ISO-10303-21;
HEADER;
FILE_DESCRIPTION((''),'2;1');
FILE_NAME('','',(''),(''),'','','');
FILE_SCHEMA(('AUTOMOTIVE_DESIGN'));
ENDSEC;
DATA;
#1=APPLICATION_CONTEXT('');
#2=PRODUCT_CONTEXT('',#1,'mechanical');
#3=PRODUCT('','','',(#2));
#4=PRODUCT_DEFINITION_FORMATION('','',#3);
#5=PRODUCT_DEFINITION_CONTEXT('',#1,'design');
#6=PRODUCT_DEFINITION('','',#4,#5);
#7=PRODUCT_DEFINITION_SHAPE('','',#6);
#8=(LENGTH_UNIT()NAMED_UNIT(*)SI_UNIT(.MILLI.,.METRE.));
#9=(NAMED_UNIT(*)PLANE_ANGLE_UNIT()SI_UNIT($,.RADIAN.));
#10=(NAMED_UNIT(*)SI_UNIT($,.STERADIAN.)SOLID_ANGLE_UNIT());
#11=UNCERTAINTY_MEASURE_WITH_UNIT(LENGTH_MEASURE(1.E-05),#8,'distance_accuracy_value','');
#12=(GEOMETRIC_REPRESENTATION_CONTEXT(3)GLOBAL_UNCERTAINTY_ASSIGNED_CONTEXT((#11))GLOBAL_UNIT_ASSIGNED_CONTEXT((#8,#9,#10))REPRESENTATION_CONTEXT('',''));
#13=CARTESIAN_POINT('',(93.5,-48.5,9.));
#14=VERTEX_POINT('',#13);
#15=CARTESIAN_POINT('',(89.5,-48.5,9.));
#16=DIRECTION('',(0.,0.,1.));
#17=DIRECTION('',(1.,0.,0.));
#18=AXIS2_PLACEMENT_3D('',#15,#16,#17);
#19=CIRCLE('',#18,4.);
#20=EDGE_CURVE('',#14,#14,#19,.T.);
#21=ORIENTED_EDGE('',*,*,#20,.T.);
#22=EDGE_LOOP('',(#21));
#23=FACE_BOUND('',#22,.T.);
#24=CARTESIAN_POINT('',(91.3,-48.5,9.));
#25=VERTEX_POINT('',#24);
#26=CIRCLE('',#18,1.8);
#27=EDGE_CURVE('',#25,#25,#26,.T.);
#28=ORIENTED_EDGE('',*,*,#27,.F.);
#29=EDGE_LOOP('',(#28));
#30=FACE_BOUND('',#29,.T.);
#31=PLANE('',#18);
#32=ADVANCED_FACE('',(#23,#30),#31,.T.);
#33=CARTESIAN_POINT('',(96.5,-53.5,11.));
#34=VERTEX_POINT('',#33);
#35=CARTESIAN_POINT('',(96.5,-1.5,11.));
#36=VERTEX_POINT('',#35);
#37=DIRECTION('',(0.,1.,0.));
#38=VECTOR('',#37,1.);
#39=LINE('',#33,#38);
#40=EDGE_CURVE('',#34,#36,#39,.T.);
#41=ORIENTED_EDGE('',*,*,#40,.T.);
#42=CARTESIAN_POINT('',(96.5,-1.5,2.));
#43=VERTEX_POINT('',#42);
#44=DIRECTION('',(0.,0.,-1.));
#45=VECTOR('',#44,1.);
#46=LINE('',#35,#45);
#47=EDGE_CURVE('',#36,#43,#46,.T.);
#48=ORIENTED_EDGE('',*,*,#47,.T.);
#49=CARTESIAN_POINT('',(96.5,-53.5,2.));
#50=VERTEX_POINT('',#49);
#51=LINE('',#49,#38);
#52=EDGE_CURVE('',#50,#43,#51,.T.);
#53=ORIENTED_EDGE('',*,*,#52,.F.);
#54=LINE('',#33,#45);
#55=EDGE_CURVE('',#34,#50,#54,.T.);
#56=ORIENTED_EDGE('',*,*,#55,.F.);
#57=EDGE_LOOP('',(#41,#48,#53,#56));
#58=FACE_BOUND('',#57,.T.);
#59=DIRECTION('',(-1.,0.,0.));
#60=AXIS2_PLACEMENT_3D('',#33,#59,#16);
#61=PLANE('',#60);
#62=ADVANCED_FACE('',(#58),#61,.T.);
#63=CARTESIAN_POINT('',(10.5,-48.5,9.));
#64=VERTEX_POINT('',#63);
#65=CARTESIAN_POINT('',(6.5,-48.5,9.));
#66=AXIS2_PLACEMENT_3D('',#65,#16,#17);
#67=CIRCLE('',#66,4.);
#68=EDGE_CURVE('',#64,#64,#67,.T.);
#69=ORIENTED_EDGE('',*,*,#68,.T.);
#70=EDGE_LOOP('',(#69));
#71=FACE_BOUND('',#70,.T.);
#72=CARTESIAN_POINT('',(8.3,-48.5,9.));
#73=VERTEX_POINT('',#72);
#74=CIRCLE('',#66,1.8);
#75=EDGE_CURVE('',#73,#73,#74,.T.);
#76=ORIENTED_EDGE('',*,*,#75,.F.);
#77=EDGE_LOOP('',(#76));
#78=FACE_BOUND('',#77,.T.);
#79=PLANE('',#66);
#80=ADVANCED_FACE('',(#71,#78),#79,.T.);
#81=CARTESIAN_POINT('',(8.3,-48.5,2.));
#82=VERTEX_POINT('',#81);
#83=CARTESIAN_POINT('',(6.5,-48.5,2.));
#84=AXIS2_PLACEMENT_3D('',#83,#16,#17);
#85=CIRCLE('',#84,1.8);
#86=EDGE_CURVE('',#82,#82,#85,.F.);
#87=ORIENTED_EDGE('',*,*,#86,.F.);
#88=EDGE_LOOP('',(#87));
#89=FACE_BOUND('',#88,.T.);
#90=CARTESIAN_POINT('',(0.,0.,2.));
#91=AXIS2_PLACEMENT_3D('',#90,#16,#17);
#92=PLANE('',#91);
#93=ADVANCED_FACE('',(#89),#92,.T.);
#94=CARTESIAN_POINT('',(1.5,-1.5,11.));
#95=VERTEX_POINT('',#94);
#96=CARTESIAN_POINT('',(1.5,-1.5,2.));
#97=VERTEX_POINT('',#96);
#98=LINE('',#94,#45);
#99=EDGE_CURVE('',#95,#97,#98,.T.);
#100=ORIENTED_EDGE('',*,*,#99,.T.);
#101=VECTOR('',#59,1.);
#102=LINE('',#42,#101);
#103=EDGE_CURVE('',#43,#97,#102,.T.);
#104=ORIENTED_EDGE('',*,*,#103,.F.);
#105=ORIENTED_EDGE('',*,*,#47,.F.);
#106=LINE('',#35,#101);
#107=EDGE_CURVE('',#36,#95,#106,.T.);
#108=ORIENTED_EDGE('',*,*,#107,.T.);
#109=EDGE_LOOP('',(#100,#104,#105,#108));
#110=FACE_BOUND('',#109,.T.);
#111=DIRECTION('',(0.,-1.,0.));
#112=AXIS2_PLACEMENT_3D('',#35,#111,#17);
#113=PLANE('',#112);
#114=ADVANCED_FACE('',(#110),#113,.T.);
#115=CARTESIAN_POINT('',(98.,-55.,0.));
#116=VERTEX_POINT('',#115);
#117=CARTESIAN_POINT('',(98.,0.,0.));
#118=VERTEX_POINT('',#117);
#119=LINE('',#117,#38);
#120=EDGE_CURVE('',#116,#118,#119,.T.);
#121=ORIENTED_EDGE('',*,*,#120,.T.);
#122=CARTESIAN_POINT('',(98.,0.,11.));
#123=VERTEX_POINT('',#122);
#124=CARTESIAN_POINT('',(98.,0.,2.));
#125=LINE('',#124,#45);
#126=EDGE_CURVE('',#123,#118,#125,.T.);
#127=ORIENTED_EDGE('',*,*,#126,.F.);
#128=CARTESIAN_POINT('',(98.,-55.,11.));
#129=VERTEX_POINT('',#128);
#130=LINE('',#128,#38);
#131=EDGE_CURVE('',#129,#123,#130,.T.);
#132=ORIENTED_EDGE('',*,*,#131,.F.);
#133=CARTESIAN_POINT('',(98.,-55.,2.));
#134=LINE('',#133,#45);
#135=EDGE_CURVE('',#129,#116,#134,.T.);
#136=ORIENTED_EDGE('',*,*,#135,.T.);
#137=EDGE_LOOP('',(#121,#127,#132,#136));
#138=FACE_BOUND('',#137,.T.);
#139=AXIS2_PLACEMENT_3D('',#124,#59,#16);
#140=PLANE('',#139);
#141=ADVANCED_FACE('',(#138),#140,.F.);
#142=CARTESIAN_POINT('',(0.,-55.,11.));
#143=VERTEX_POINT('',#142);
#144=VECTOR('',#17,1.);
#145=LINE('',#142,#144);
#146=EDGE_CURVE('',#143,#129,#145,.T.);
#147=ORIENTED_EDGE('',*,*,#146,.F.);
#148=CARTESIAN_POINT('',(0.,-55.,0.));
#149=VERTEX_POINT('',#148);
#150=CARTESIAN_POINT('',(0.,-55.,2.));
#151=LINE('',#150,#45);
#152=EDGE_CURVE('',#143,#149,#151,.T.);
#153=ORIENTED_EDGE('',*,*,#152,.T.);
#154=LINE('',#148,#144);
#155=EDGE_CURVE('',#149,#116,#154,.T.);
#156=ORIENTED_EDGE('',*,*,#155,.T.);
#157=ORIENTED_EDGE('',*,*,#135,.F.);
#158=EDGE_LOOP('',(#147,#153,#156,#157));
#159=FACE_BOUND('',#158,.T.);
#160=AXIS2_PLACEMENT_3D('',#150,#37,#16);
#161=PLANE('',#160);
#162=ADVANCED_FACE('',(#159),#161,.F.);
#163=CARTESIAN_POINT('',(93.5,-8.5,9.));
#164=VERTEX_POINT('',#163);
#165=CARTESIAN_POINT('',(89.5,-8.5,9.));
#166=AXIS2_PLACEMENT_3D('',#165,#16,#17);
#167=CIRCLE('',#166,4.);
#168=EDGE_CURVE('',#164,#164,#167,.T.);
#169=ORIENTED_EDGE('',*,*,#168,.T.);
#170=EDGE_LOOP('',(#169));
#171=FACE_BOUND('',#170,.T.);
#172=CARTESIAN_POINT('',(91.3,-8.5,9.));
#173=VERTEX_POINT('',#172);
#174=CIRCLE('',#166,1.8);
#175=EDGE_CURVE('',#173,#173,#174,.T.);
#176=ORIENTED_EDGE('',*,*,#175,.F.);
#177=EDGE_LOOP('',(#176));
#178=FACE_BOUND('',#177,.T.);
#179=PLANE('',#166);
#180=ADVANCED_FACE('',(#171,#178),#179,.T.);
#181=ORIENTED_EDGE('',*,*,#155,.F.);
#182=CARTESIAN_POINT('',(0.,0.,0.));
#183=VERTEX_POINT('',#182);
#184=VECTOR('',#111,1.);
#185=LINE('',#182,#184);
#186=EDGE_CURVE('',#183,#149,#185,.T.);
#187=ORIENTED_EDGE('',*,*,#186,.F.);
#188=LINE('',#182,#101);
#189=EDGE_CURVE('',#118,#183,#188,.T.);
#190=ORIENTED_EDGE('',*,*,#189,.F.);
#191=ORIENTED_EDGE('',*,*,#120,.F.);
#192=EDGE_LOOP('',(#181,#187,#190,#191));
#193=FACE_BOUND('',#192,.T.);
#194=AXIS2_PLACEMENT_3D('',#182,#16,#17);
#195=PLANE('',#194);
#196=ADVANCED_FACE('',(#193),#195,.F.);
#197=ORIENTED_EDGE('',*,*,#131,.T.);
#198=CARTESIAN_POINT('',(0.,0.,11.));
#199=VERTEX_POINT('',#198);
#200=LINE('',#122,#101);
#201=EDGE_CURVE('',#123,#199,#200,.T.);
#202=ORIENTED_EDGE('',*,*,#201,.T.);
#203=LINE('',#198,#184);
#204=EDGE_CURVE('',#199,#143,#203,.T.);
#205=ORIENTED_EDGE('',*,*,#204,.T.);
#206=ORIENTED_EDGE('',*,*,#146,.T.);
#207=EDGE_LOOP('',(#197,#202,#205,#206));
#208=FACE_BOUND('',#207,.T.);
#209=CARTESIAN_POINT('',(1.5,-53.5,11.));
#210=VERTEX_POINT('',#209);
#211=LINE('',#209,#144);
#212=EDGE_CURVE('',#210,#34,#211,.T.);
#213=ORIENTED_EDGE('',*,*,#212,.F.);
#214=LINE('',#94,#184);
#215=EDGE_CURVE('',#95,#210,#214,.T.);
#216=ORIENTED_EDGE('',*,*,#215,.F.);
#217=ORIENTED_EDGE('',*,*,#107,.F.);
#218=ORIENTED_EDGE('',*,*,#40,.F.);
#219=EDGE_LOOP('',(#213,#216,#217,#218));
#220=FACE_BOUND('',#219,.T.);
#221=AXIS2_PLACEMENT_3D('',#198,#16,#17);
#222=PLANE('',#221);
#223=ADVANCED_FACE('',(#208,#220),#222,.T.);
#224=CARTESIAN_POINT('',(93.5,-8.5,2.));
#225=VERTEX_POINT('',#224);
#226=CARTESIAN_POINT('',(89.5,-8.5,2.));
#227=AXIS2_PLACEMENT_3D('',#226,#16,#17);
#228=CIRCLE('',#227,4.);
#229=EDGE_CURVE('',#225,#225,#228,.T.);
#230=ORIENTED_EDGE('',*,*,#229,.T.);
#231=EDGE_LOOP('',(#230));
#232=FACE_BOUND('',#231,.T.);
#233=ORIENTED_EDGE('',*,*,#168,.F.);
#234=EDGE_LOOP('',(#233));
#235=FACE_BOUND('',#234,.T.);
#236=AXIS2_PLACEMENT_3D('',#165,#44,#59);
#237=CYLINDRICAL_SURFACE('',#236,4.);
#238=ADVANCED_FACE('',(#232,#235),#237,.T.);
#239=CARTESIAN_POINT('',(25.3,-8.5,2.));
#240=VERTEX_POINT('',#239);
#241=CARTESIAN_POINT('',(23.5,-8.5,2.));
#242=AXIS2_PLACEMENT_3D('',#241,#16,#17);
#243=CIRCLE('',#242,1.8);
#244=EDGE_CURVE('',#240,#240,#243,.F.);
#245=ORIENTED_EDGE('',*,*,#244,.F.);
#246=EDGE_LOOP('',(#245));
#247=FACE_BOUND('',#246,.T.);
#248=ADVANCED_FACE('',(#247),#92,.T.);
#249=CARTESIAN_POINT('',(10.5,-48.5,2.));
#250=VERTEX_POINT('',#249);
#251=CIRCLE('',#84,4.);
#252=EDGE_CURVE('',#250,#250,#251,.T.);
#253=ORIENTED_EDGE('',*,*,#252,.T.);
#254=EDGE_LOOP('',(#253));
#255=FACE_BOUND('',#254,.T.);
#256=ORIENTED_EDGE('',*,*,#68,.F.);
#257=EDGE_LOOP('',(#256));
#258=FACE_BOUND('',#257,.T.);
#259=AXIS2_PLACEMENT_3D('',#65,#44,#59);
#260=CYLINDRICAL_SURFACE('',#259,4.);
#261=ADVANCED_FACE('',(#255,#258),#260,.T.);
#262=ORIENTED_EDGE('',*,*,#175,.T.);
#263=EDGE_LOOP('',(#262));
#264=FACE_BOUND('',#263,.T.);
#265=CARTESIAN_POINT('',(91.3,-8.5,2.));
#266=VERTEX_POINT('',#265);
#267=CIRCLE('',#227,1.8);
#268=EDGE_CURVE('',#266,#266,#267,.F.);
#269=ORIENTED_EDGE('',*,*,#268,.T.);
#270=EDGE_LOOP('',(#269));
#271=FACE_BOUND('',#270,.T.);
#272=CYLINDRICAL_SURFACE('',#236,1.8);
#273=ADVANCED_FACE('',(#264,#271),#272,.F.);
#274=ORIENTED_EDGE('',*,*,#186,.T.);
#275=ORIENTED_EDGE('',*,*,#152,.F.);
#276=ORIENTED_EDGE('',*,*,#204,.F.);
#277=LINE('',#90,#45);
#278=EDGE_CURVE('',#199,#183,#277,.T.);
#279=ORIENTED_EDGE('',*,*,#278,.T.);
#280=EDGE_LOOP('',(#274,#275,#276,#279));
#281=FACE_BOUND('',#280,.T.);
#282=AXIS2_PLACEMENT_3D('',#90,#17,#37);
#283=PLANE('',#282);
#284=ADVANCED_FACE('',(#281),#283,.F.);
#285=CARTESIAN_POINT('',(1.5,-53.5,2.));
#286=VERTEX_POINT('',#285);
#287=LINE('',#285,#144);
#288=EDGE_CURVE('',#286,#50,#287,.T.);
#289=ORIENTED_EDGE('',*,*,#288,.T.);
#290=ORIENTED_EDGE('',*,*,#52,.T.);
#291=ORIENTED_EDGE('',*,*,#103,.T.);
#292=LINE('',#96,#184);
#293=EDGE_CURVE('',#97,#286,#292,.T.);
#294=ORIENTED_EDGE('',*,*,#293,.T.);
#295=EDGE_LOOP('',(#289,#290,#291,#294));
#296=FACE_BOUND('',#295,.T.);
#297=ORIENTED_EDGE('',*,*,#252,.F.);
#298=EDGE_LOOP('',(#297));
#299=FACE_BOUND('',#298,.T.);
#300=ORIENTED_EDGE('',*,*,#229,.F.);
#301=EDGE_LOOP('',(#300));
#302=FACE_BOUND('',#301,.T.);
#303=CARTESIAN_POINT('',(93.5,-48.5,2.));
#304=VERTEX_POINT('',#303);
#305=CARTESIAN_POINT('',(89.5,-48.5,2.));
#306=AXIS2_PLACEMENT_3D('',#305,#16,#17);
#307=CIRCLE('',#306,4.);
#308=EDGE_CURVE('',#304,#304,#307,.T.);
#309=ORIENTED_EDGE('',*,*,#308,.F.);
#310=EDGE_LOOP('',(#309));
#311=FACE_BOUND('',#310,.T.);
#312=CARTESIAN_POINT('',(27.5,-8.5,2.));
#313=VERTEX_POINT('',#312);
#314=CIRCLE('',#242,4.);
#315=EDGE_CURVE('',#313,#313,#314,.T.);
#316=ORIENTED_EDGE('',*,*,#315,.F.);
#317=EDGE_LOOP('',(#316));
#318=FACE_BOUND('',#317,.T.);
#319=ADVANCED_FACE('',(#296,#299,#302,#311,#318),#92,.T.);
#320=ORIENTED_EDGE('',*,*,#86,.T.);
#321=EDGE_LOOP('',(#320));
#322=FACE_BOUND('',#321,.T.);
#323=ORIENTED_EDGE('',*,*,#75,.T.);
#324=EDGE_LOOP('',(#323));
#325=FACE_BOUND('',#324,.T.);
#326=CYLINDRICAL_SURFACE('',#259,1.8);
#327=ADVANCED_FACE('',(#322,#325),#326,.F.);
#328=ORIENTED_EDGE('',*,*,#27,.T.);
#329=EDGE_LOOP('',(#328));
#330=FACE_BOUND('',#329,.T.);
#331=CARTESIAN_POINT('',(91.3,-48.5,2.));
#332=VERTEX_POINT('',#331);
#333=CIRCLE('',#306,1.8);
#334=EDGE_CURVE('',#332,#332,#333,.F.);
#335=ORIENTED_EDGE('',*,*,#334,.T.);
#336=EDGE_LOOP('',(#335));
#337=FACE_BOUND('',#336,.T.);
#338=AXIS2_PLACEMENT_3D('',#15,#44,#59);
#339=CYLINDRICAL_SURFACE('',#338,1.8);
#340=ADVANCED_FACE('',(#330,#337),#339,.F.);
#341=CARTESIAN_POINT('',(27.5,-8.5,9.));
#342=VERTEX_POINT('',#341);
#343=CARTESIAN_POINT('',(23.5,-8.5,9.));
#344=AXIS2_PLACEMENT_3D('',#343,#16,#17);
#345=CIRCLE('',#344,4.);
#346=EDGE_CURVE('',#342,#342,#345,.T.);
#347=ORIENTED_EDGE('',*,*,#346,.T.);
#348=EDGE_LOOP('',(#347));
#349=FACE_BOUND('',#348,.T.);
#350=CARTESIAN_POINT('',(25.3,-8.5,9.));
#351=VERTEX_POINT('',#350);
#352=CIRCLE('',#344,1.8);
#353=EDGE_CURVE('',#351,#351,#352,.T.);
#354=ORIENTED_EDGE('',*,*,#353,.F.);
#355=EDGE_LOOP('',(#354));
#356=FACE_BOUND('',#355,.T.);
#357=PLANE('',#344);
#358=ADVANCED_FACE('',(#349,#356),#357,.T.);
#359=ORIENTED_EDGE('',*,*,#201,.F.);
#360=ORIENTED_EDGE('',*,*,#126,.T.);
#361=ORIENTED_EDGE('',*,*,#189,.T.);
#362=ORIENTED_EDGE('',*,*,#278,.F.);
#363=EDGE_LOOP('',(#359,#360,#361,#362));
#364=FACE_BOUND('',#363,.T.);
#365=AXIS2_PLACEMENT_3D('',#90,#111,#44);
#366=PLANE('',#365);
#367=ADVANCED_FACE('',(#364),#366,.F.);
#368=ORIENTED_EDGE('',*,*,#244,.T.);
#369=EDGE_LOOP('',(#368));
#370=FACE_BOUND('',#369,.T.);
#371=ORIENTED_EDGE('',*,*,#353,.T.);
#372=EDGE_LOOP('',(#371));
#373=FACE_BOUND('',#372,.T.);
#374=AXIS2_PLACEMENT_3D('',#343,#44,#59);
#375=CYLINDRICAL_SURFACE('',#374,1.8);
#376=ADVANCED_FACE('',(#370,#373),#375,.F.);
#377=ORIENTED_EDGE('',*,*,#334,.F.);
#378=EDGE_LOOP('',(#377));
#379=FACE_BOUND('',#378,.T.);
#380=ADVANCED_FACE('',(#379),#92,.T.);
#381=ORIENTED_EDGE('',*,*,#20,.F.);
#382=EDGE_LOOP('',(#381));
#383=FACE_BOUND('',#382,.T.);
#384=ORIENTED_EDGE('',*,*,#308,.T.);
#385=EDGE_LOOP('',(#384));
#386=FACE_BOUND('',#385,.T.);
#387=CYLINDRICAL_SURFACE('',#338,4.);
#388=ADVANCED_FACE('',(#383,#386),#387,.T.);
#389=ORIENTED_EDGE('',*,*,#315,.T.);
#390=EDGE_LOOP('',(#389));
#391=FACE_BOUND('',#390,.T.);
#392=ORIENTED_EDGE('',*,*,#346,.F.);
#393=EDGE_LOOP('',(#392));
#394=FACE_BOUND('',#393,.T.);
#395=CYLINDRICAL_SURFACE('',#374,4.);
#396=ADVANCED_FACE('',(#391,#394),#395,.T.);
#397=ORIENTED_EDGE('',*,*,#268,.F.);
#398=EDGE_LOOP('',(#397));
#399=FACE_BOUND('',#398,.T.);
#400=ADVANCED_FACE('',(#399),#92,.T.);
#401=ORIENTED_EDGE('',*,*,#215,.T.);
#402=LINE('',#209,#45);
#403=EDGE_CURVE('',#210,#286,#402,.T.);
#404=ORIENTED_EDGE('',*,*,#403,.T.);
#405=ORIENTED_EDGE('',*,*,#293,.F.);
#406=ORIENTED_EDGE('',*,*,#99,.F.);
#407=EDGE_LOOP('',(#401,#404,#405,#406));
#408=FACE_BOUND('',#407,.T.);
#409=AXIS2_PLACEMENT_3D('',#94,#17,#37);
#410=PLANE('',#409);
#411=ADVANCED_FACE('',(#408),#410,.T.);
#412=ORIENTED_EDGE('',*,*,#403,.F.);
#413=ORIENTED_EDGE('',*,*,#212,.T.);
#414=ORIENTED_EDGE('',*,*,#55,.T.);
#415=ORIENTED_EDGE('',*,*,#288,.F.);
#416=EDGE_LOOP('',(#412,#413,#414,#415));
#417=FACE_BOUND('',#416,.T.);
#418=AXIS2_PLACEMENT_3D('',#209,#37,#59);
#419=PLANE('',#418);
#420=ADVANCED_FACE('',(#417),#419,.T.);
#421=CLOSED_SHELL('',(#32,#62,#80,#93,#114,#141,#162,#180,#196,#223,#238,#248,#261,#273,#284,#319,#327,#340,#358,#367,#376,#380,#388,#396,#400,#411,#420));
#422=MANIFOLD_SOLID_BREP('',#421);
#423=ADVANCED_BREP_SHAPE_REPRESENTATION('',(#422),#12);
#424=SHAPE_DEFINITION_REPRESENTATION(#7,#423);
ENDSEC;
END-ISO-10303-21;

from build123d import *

# Parameters (mm, degrees)
SKETCH1_W           = 98
SKETCH1_H           = 55
BOSS_EXTRUDE1_DEPTH = 2
SKETCH2_W           = 98
SKETCH2_H           = 55
SKETCH2_W_2         = 95
SKETCH2_H_2         = 52
BOSS_EXTRUDE2_DEPTH = 9
SKETCH3_R           = 4
SKETCH3_R_2         = 1.8
BOSS_EXTRUDE3_DEPTH = 7


with BuildPart() as part:
    # Sketch1 → Boss-Extrude1 (new body)
    with BuildSketch(Plane.XY):
        with Locations((49, -27.5)):
            Rectangle(SKETCH1_W, SKETCH1_H)
    extrude(amount=BOSS_EXTRUDE1_DEPTH)

    # Sketch2 → Boss-Extrude2 (add)
    with BuildSketch(Plane.XY.offset(2)):
        with Locations((49, -27.5)):
            Rectangle(SKETCH2_W, SKETCH2_H)
        with Locations((49, -27.5)):
            Rectangle(SKETCH2_W_2, SKETCH2_H_2, mode=Mode.SUBTRACT)
    extrude(amount=BOSS_EXTRUDE2_DEPTH)

    # Sketch3 → Boss-Extrude3 (add)
    with BuildSketch(Plane.XY.offset(2)):
        with Locations((89.5, -8.5)):
            Circle(SKETCH3_R)
        with Locations((89.5, -8.5)):
            Circle(SKETCH3_R_2, mode=Mode.SUBTRACT)
        with Locations((89.5, -48.5)):
            Circle(SKETCH3_R)
        with Locations((89.5, -48.5)):
            Circle(SKETCH3_R_2, mode=Mode.SUBTRACT)
        with Locations((6.5, -48.5)):
            Circle(SKETCH3_R)
        with Locations((6.5, -48.5)):
            Circle(SKETCH3_R_2, mode=Mode.SUBTRACT)
        with Locations((23.5, -8.5)):
            Circle(SKETCH3_R)
        with Locations((23.5, -8.5)):
            Circle(SKETCH3_R_2, mode=Mode.SUBTRACT)
    extrude(amount=BOSS_EXTRUDE3_DEPTH)


solid = part.part
